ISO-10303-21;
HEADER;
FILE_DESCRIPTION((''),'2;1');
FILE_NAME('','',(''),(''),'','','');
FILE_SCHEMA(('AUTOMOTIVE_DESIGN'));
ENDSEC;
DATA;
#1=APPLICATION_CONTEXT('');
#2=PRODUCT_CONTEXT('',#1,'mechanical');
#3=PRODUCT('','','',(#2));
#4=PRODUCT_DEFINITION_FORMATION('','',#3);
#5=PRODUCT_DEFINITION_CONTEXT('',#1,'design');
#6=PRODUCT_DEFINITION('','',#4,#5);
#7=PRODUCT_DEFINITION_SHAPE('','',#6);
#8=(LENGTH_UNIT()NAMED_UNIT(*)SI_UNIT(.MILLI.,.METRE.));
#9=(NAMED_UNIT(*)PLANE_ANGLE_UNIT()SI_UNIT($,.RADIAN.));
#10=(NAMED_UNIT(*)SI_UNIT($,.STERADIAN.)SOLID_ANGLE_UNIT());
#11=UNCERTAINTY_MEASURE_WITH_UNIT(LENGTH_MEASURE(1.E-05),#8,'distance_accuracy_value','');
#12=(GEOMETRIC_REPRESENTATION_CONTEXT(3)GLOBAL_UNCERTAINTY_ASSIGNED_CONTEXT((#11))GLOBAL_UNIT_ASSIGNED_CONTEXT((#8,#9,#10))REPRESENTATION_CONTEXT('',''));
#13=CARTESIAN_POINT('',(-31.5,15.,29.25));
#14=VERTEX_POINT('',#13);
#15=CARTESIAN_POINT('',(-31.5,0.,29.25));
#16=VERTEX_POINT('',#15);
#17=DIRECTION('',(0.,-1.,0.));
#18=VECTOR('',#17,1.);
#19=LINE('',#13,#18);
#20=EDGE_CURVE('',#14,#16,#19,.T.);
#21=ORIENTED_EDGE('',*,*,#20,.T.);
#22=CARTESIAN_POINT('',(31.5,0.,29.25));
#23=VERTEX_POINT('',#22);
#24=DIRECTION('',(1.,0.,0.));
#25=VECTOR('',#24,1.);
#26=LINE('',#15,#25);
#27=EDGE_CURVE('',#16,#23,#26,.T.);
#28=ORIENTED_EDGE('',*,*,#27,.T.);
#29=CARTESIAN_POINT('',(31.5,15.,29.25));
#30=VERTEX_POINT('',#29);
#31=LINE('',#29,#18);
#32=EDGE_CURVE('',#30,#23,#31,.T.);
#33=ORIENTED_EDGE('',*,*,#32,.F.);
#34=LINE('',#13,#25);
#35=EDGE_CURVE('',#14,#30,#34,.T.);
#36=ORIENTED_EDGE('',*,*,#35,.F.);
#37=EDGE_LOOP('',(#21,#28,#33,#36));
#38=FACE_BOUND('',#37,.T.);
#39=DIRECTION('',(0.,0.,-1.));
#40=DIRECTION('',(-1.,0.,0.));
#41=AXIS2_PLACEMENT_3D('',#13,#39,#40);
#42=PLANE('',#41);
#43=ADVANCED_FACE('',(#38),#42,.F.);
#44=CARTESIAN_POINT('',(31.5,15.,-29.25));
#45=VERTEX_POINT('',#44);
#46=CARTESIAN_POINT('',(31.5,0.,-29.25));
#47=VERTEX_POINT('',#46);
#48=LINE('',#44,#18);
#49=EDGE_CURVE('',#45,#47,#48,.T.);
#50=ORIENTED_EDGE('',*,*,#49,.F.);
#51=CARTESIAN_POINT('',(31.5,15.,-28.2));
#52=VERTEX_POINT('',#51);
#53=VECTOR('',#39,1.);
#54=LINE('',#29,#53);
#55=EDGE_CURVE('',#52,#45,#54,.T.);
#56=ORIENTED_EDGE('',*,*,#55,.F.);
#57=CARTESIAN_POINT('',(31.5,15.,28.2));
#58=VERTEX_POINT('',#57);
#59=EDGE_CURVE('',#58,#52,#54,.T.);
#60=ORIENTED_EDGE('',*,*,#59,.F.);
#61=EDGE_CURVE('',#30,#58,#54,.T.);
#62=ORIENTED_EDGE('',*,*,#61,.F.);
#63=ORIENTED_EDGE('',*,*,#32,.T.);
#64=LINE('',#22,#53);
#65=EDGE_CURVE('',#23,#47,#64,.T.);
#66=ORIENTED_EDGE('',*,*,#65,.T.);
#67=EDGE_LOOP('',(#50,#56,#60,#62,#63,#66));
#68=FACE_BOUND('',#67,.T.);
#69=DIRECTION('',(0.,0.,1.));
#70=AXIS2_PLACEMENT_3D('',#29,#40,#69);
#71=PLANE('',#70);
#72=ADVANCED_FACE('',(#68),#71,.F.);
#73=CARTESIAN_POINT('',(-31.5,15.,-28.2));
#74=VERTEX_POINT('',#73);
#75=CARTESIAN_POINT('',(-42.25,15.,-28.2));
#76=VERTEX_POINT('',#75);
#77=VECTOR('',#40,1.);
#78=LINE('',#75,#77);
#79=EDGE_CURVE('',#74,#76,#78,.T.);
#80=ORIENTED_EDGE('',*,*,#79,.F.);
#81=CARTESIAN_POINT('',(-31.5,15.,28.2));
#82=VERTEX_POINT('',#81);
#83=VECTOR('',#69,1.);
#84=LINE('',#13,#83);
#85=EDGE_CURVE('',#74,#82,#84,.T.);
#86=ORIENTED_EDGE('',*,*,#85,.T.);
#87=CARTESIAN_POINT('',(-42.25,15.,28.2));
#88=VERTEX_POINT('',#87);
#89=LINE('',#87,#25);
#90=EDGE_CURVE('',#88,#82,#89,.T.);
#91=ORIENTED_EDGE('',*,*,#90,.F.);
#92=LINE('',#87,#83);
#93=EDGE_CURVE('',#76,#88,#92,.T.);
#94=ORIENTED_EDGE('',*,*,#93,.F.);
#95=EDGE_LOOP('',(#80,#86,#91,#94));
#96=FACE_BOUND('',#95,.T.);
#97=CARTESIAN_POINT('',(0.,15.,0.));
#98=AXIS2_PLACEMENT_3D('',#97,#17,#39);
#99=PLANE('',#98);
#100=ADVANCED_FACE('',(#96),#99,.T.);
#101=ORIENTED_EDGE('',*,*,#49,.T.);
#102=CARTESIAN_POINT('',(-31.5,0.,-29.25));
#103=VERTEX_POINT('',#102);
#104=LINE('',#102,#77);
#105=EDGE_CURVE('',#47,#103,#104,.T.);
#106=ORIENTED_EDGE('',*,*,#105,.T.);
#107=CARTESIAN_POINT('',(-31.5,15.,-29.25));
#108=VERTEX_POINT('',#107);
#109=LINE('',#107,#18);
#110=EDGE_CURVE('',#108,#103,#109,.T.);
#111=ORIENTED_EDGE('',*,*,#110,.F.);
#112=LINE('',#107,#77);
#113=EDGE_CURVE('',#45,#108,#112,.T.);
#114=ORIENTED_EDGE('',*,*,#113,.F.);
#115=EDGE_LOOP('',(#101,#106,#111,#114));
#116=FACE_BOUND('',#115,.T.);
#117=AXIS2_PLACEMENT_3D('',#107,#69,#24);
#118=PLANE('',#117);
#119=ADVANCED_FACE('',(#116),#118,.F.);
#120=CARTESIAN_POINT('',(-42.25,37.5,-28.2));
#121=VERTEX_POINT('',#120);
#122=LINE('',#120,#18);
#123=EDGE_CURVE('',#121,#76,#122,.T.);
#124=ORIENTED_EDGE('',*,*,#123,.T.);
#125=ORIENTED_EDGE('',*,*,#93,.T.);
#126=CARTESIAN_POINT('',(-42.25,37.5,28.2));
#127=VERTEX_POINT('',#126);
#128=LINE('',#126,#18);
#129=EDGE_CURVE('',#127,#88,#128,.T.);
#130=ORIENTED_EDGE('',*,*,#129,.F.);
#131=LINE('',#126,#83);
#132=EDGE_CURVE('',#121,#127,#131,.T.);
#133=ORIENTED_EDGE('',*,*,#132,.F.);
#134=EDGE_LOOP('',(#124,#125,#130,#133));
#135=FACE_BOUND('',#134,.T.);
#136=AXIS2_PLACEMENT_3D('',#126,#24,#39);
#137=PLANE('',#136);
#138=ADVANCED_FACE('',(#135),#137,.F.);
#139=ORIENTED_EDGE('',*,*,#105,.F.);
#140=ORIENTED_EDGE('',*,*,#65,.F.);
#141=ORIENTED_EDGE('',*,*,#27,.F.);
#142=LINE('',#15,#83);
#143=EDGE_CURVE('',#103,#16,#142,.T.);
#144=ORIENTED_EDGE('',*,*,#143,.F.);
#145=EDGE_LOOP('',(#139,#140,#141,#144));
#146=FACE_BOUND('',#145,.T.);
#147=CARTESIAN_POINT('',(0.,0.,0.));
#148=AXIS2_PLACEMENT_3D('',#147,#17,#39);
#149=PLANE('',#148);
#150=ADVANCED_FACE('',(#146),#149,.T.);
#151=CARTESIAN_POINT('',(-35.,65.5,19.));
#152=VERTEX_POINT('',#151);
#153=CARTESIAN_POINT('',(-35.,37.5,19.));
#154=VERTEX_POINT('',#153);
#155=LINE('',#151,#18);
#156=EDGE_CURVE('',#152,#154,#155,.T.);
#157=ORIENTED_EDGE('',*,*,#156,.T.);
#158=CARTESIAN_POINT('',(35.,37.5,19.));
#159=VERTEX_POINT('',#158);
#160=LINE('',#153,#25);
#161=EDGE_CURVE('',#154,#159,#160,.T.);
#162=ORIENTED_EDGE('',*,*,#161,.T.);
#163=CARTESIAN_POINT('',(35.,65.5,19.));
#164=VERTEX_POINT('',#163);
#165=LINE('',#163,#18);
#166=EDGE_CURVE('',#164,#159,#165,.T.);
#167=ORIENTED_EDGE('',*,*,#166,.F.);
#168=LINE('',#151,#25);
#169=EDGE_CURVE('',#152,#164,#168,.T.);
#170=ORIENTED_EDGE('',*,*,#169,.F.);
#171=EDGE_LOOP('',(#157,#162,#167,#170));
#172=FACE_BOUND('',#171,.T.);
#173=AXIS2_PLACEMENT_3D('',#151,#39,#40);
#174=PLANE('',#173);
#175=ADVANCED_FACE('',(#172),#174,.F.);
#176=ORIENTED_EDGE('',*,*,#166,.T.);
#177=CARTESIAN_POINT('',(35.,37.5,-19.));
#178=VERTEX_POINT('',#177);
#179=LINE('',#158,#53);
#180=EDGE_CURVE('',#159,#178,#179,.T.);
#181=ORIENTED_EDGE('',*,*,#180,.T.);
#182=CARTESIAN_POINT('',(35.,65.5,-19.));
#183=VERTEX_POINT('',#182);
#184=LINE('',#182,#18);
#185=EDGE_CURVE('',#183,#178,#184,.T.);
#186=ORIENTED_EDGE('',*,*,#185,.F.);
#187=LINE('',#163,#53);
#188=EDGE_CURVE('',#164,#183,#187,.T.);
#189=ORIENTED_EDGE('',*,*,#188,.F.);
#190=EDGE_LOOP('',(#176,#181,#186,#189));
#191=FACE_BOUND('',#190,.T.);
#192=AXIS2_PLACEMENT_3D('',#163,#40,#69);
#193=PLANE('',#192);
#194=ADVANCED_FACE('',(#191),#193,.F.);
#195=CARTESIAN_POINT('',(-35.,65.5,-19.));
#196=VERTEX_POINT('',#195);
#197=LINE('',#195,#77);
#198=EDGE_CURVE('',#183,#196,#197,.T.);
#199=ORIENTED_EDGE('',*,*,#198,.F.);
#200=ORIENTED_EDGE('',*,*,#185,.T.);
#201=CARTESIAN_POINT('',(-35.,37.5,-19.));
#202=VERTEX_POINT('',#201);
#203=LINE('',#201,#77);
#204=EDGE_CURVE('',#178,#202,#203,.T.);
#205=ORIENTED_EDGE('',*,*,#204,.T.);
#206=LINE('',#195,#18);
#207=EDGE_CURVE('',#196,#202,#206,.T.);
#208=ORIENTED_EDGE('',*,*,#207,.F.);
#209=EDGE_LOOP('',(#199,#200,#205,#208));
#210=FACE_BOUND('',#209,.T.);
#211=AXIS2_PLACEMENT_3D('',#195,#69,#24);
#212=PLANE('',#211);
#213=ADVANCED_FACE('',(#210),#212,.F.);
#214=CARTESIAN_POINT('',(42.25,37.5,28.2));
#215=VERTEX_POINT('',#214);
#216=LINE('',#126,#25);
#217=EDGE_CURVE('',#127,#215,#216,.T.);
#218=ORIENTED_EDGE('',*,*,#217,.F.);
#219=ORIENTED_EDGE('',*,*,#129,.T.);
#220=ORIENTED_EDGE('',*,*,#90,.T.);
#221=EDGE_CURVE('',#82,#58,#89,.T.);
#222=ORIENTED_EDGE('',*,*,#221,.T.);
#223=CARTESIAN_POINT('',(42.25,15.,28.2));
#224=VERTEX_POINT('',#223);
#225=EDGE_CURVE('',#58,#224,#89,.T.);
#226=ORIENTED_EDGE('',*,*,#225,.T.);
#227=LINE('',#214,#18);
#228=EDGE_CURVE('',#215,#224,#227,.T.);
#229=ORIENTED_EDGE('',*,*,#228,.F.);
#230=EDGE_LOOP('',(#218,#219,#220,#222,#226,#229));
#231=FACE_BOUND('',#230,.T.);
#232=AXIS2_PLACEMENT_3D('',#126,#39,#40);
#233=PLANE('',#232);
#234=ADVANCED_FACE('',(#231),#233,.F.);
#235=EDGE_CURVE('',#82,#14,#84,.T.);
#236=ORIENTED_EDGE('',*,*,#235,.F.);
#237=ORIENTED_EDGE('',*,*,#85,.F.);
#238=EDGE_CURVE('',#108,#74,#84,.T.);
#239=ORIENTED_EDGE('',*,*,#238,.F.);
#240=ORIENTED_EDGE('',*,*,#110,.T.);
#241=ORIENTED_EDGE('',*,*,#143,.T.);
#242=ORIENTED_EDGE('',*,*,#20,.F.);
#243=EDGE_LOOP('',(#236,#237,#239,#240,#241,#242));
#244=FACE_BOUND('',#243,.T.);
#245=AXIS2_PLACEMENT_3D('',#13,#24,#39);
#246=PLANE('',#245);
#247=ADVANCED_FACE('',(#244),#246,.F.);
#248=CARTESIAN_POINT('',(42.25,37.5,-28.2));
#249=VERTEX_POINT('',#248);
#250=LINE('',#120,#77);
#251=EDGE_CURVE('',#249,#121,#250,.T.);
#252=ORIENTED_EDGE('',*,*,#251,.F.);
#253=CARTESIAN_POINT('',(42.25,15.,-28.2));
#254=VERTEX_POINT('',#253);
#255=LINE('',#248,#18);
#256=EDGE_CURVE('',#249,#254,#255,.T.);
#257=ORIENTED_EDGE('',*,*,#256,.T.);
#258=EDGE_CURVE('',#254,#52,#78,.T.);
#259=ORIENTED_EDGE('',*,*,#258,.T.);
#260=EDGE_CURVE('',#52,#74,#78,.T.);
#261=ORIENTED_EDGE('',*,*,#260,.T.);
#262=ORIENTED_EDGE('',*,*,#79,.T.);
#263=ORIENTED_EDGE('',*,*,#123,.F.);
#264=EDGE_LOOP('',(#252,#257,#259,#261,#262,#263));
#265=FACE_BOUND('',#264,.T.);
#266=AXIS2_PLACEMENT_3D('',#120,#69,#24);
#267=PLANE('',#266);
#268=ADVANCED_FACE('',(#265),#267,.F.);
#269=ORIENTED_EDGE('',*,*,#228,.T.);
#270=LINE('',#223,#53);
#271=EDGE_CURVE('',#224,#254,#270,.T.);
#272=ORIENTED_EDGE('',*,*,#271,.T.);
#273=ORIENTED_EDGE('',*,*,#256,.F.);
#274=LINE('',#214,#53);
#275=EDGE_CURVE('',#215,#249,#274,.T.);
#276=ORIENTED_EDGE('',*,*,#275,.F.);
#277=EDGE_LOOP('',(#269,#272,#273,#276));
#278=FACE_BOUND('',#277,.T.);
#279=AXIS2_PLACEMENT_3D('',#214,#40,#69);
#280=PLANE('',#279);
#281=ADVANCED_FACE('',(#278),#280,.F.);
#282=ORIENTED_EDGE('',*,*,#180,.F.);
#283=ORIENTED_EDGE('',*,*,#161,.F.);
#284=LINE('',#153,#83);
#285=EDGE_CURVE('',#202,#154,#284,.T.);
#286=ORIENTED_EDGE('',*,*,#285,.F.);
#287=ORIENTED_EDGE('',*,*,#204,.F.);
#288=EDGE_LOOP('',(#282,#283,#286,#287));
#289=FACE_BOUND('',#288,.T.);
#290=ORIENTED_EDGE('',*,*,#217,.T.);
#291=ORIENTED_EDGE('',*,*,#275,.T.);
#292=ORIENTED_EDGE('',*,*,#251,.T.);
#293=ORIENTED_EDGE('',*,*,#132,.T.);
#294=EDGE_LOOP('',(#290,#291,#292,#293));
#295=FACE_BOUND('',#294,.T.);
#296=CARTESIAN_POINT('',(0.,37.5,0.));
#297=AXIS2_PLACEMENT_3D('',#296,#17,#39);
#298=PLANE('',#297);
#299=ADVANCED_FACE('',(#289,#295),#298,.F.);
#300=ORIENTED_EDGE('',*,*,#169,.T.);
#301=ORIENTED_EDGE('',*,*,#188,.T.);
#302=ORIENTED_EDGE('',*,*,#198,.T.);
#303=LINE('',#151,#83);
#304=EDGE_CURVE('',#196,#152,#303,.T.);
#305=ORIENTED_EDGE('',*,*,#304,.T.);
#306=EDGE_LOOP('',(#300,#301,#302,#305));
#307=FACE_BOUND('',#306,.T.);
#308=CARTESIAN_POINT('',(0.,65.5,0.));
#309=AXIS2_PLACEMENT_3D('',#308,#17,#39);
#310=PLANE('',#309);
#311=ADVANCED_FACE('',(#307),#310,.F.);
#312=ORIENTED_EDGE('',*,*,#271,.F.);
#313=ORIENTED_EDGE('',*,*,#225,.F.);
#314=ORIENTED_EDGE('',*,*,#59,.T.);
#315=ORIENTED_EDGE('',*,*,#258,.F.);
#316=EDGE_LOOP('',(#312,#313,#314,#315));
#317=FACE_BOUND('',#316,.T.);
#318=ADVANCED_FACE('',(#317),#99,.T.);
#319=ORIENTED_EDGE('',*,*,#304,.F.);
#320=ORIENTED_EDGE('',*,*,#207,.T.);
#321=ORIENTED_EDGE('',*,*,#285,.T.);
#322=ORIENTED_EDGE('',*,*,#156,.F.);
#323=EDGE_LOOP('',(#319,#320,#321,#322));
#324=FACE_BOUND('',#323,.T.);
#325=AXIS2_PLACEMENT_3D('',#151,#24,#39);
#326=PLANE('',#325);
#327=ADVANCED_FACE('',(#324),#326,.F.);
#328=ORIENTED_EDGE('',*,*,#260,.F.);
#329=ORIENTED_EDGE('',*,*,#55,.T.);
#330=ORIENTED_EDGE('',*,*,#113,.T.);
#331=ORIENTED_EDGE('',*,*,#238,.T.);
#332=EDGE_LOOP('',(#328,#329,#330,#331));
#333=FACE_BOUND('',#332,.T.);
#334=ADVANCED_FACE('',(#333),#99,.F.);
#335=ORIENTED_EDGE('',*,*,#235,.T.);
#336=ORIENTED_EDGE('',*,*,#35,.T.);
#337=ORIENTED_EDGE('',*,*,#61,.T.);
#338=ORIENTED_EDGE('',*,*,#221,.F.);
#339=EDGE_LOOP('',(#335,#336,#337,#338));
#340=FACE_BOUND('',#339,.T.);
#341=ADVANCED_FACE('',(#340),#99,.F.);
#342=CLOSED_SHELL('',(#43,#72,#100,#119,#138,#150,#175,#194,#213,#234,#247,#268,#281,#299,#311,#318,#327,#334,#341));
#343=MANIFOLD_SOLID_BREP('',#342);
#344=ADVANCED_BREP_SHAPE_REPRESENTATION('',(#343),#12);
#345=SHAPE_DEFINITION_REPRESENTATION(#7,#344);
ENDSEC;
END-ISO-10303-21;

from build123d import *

# Parameters (mm, degrees)
SKETCH1_W           = 63
SKETCH1_H           = 58.5
BOSS_EXTRUDE1_DEPTH = 15
SKETCH2_W           = 84.5
SKETCH2_H           = 56.4
BOSS_EXTRUDE2_DEPTH = 22.5
SKETCH3_W           = 70
SKETCH3_H           = 38
BOSS_EXTRUDE3_DEPTH = 28


with BuildPart() as part:
    # Sketch1 → Boss-Extrude1 (new body)
    with BuildSketch(Plane(origin=(0, 0, 0), x_dir=(1, 0, 0), z_dir=(0, 1, 0))):
        Rectangle(SKETCH1_W, SKETCH1_H)
    extrude(amount=BOSS_EXTRUDE1_DEPTH)

    # Sketch2 → Boss-Extrude2 (add)
    with BuildSketch(Plane(origin=(0, 15, 0), x_dir=(1, 0, 0), z_dir=(0, 1, 0))):
        Rectangle(SKETCH2_W, SKETCH2_H)
    extrude(amount=BOSS_EXTRUDE2_DEPTH)

    # Sketch3 → Boss-Extrude3 (add)
    with BuildSketch(Plane(origin=(0, 37.5, 0), x_dir=(1, 0, 0), z_dir=(0, 1, 0))):
        Rectangle(SKETCH3_W, SKETCH3_H)
    extrude(amount=BOSS_EXTRUDE3_DEPTH)


solid = part.part
